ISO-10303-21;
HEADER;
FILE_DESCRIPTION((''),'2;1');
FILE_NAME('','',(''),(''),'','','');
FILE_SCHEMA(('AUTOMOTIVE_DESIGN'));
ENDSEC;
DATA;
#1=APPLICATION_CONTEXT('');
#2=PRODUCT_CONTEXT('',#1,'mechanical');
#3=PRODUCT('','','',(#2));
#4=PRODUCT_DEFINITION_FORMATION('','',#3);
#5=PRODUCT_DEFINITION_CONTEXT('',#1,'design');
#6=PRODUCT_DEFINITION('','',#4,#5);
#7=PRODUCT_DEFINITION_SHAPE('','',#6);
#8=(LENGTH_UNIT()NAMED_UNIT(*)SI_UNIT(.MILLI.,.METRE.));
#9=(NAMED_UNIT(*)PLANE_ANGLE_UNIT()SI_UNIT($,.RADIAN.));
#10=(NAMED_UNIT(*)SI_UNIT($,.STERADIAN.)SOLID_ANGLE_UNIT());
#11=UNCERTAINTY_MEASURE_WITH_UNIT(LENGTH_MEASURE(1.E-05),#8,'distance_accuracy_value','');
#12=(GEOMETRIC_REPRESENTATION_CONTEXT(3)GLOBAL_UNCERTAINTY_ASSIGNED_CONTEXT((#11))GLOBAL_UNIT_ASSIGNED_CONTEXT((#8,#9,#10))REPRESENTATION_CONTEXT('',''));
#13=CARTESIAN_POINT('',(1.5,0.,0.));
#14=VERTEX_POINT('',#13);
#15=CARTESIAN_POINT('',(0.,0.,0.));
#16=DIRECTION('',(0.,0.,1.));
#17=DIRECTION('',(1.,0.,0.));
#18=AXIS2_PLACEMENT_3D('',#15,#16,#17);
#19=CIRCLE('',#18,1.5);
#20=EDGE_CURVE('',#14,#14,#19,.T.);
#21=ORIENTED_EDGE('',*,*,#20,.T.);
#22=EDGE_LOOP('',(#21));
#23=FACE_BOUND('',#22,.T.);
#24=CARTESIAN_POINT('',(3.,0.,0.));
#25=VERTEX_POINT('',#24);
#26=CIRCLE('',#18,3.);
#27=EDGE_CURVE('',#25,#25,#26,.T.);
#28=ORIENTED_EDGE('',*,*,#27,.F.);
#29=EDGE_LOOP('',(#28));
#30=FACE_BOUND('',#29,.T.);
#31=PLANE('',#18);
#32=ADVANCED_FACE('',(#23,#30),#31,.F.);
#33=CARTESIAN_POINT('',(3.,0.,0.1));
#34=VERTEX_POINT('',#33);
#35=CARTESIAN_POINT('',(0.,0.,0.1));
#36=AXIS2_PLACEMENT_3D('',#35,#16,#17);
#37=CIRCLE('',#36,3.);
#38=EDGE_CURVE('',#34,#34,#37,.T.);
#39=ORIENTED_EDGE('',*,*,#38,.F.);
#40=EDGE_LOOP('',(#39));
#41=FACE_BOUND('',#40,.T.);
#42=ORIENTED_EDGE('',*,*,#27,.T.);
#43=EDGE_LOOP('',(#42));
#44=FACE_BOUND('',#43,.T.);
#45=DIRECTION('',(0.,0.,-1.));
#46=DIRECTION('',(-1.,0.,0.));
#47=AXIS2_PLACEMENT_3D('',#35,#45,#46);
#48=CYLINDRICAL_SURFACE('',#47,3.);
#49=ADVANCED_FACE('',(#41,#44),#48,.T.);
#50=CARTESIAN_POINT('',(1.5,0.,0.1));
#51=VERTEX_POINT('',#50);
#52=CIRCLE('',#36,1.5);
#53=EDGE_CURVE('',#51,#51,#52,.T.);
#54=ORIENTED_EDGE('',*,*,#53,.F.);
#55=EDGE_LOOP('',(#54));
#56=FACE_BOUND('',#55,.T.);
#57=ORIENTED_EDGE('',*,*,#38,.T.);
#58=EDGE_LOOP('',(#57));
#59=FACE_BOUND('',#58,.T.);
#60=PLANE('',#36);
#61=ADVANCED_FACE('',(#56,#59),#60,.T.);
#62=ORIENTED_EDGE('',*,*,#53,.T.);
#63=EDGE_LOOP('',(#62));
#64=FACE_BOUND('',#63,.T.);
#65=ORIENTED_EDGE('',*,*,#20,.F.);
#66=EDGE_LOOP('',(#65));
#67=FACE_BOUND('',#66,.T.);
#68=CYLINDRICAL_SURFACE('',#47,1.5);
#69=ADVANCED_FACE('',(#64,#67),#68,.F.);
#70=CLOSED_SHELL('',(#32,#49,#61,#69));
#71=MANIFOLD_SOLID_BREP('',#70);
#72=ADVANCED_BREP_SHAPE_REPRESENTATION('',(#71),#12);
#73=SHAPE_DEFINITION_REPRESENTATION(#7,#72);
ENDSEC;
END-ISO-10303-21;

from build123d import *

# Parameters (mm, degrees)
SKETCH1_R           = 3
SKETCH1_R_2         = 1.5
BOSS_EXTRUDE1_DEPTH = 0.1


with BuildPart() as part:
    # Sketch1 → Boss-Extrude1 (new body)
    with BuildSketch(Plane.XY):
        Circle(SKETCH1_R)
        Circle(SKETCH1_R_2, mode=Mode.SUBTRACT)
    extrude(amount=BOSS_EXTRUDE1_DEPTH)


solid = part.part
